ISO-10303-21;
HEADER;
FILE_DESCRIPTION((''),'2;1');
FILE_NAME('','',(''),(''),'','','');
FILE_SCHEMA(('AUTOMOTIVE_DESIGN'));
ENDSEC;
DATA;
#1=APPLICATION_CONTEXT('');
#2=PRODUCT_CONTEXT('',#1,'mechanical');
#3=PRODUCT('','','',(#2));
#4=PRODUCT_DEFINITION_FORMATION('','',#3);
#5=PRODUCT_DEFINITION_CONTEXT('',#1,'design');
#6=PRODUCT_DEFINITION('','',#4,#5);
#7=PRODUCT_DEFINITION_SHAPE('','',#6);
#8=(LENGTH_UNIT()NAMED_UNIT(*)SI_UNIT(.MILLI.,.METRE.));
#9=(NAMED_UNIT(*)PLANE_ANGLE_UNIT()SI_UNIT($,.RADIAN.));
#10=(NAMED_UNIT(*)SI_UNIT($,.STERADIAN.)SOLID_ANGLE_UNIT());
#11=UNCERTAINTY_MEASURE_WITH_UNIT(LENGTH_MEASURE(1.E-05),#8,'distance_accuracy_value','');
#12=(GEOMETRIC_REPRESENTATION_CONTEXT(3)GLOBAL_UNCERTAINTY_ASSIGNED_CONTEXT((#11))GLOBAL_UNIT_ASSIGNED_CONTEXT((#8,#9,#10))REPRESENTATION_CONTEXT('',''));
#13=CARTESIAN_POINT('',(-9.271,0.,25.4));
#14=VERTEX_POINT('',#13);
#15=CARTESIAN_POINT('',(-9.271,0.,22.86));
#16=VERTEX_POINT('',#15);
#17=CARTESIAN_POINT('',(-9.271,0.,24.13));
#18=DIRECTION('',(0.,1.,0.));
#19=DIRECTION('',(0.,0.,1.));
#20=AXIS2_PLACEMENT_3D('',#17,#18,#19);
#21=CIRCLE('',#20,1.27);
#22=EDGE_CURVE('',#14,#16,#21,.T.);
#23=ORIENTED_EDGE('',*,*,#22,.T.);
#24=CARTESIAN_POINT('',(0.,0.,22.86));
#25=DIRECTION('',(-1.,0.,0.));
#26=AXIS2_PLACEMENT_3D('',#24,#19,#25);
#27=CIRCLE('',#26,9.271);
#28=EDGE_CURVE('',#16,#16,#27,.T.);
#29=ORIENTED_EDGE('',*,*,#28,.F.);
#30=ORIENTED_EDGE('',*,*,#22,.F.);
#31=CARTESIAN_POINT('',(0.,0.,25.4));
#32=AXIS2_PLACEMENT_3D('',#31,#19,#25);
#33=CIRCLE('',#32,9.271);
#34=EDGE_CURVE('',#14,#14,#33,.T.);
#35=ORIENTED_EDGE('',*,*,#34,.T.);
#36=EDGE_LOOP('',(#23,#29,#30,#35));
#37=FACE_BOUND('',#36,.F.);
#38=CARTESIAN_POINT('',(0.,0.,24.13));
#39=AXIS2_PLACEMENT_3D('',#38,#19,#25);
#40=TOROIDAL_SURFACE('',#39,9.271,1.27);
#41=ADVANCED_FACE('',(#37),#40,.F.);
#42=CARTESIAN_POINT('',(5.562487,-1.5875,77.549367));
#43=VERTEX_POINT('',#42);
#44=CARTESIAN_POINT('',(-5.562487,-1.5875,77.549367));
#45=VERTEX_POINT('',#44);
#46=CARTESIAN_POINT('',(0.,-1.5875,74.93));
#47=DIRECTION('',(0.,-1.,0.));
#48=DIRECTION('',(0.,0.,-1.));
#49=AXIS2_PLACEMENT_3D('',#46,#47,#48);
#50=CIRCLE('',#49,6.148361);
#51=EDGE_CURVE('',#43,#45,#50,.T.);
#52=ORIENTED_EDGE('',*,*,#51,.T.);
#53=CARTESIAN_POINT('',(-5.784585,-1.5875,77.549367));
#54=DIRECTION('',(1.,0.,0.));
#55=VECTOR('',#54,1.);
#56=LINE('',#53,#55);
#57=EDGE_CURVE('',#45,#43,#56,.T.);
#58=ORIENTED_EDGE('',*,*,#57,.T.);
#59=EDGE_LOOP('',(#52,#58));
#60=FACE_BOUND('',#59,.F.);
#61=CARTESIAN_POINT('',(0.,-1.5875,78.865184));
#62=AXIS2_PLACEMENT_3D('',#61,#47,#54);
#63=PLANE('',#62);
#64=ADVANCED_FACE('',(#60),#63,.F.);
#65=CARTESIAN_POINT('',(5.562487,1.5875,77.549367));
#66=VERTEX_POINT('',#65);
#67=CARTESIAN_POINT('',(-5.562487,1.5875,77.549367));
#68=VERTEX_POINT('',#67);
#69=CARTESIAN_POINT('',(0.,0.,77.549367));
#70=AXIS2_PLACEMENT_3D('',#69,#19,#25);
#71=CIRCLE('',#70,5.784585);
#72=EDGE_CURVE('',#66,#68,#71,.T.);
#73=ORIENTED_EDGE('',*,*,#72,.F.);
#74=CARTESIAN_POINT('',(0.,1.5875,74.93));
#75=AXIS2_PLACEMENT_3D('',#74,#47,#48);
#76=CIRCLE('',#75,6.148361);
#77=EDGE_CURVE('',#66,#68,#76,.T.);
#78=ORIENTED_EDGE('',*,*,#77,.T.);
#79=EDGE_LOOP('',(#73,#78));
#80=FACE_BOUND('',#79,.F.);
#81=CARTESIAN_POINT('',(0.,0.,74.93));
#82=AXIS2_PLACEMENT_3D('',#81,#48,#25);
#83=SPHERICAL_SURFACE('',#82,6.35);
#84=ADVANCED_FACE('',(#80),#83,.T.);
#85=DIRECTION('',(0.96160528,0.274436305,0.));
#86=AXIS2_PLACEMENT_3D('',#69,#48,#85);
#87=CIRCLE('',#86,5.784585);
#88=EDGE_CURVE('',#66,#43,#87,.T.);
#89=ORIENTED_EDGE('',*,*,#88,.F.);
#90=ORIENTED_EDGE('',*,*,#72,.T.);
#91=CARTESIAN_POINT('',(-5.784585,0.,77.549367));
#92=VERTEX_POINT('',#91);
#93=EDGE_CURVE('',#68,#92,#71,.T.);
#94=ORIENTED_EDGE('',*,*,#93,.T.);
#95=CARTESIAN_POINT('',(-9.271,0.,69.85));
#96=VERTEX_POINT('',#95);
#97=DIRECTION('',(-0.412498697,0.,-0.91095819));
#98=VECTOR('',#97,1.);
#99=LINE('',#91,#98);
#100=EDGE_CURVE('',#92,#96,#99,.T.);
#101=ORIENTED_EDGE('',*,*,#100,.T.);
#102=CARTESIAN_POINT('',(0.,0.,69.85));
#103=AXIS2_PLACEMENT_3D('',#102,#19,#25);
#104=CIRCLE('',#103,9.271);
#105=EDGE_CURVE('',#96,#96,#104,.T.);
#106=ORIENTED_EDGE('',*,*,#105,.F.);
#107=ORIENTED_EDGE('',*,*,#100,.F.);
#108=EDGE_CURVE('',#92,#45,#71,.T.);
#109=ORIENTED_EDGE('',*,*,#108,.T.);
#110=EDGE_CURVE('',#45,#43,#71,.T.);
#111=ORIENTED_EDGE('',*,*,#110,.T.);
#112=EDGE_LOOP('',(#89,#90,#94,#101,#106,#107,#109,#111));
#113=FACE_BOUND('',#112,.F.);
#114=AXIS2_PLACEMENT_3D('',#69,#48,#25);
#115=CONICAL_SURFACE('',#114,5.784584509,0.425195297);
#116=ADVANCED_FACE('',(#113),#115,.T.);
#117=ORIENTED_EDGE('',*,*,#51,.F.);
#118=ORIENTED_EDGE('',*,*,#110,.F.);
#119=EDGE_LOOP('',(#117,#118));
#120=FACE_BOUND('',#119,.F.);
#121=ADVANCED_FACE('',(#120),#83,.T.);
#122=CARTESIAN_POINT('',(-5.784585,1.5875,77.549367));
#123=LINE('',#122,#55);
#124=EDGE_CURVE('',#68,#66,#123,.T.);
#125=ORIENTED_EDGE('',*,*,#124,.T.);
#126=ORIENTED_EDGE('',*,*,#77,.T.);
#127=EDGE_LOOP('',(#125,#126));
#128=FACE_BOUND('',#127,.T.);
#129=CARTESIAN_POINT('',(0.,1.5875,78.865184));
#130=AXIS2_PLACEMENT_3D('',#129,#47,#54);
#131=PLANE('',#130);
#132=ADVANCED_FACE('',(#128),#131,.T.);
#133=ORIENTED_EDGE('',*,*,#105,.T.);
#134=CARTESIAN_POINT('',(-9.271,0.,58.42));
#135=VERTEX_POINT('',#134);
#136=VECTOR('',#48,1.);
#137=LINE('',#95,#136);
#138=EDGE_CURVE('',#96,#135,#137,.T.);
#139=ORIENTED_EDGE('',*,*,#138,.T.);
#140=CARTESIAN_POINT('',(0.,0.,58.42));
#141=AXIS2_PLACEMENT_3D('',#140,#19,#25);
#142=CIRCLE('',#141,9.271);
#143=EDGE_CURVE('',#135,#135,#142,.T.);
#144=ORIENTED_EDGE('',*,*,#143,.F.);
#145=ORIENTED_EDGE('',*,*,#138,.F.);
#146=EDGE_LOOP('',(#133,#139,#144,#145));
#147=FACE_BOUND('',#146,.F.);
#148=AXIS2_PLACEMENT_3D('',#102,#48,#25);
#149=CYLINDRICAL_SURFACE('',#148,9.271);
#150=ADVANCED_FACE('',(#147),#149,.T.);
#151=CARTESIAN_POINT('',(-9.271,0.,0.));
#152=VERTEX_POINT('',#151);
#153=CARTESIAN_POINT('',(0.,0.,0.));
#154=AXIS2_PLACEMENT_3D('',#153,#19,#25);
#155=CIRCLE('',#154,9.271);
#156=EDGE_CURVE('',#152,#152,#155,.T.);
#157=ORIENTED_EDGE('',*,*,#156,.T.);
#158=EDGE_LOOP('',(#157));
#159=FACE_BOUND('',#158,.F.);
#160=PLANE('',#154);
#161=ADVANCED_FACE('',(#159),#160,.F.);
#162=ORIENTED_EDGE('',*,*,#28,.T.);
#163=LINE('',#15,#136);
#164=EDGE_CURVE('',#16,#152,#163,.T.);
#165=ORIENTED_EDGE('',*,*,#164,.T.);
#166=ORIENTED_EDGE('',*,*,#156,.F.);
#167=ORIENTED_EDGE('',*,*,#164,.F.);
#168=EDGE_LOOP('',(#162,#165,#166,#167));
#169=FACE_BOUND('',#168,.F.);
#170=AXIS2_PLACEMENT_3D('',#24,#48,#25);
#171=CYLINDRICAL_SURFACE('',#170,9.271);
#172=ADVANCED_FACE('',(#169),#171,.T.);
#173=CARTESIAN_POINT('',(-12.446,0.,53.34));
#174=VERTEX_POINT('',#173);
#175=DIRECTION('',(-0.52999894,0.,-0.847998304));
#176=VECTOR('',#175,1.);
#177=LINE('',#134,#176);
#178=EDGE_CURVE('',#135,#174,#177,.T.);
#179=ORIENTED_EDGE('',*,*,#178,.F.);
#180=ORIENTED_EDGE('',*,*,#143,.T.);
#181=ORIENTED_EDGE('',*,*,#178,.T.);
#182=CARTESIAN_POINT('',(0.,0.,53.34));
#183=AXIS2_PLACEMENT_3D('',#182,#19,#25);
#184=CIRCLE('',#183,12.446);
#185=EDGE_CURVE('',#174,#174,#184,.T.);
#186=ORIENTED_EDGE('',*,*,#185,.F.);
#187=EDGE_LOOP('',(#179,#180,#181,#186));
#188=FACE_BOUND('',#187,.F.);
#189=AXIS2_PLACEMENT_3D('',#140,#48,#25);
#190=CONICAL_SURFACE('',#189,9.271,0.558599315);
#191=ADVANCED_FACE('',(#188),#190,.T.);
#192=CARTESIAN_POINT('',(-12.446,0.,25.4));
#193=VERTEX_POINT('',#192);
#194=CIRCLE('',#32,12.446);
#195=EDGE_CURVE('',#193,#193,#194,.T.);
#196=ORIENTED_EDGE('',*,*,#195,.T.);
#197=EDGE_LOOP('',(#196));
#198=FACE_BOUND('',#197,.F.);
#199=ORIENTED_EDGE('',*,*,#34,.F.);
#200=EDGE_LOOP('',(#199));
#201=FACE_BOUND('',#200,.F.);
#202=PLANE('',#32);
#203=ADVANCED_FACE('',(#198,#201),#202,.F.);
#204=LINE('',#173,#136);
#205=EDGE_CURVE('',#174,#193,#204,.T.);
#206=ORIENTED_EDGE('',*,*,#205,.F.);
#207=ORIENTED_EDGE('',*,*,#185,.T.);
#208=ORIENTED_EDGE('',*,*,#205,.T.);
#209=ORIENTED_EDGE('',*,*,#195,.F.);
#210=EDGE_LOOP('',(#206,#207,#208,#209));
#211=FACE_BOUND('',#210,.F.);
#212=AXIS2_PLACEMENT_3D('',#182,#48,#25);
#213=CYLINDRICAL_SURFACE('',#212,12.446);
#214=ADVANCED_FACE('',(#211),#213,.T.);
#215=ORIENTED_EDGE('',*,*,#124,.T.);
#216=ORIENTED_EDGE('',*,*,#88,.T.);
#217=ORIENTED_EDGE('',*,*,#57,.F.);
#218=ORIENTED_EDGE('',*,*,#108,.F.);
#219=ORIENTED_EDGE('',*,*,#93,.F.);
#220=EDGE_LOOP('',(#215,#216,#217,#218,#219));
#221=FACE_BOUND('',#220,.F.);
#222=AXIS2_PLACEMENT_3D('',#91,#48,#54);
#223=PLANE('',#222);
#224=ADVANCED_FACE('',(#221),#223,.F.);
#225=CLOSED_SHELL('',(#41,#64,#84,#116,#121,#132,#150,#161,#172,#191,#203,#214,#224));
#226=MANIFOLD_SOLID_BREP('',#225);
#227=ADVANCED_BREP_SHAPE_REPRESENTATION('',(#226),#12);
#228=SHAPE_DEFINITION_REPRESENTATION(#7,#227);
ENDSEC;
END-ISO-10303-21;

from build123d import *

# Parameters (mm, degrees)
F3_DEPTH = 1.5875


with BuildPart() as f1:
    # F0 (on Front) → F1 (revolve)
    with BuildSketch(Plane.XZ):
        with BuildLine():
            Line((-9.271, 0), (0, 0))
            Line((0, 0), (0, 81.28))
            ThreePointArc((0, 81.28), (-3.4416218032, 80.2664538191), (-5.7845845089, 77.5493667287))
            Line((-5.7845845089, 77.5493667287), (-9.271, 69.85))
            Line((-9.271, 69.85), (-9.271, 58.42))
            Line((-9.271, 58.42), (-12.446, 53.34))
            Line((-12.446, 53.34), (-12.446, 25.4))
            Line((-12.446, 25.4), (-9.271, 25.4))
            ThreePointArc((-9.271, 25.4), (-8.001, 24.13), (-9.271, 22.86))
            Line((-9.271, 22.86), (-9.271, 0))
        make_face()
    revolve(axis=Axis((0, 0, 40.64), (0, 0, 1)))

    # F2 (on Front) → F3 (cut, symmetric)
    with BuildSketch(Plane.XZ):
        with BuildLine():
            Line((-5.7845845089, 77.5493667287), (5.7845845089, 77.5493667287))
            ThreePointArc((5.7845845089, 77.5493667287), (3.4416218032, 80.2664538191), (0, 81.28))
            ThreePointArc((0, 81.28), (-3.4416218032, 80.2664538191), (-5.7845845089, 77.5493667287))
        make_face()
    extrude(amount=F3_DEPTH, both=True, mode=Mode.SUBTRACT)


solid = f1.part
